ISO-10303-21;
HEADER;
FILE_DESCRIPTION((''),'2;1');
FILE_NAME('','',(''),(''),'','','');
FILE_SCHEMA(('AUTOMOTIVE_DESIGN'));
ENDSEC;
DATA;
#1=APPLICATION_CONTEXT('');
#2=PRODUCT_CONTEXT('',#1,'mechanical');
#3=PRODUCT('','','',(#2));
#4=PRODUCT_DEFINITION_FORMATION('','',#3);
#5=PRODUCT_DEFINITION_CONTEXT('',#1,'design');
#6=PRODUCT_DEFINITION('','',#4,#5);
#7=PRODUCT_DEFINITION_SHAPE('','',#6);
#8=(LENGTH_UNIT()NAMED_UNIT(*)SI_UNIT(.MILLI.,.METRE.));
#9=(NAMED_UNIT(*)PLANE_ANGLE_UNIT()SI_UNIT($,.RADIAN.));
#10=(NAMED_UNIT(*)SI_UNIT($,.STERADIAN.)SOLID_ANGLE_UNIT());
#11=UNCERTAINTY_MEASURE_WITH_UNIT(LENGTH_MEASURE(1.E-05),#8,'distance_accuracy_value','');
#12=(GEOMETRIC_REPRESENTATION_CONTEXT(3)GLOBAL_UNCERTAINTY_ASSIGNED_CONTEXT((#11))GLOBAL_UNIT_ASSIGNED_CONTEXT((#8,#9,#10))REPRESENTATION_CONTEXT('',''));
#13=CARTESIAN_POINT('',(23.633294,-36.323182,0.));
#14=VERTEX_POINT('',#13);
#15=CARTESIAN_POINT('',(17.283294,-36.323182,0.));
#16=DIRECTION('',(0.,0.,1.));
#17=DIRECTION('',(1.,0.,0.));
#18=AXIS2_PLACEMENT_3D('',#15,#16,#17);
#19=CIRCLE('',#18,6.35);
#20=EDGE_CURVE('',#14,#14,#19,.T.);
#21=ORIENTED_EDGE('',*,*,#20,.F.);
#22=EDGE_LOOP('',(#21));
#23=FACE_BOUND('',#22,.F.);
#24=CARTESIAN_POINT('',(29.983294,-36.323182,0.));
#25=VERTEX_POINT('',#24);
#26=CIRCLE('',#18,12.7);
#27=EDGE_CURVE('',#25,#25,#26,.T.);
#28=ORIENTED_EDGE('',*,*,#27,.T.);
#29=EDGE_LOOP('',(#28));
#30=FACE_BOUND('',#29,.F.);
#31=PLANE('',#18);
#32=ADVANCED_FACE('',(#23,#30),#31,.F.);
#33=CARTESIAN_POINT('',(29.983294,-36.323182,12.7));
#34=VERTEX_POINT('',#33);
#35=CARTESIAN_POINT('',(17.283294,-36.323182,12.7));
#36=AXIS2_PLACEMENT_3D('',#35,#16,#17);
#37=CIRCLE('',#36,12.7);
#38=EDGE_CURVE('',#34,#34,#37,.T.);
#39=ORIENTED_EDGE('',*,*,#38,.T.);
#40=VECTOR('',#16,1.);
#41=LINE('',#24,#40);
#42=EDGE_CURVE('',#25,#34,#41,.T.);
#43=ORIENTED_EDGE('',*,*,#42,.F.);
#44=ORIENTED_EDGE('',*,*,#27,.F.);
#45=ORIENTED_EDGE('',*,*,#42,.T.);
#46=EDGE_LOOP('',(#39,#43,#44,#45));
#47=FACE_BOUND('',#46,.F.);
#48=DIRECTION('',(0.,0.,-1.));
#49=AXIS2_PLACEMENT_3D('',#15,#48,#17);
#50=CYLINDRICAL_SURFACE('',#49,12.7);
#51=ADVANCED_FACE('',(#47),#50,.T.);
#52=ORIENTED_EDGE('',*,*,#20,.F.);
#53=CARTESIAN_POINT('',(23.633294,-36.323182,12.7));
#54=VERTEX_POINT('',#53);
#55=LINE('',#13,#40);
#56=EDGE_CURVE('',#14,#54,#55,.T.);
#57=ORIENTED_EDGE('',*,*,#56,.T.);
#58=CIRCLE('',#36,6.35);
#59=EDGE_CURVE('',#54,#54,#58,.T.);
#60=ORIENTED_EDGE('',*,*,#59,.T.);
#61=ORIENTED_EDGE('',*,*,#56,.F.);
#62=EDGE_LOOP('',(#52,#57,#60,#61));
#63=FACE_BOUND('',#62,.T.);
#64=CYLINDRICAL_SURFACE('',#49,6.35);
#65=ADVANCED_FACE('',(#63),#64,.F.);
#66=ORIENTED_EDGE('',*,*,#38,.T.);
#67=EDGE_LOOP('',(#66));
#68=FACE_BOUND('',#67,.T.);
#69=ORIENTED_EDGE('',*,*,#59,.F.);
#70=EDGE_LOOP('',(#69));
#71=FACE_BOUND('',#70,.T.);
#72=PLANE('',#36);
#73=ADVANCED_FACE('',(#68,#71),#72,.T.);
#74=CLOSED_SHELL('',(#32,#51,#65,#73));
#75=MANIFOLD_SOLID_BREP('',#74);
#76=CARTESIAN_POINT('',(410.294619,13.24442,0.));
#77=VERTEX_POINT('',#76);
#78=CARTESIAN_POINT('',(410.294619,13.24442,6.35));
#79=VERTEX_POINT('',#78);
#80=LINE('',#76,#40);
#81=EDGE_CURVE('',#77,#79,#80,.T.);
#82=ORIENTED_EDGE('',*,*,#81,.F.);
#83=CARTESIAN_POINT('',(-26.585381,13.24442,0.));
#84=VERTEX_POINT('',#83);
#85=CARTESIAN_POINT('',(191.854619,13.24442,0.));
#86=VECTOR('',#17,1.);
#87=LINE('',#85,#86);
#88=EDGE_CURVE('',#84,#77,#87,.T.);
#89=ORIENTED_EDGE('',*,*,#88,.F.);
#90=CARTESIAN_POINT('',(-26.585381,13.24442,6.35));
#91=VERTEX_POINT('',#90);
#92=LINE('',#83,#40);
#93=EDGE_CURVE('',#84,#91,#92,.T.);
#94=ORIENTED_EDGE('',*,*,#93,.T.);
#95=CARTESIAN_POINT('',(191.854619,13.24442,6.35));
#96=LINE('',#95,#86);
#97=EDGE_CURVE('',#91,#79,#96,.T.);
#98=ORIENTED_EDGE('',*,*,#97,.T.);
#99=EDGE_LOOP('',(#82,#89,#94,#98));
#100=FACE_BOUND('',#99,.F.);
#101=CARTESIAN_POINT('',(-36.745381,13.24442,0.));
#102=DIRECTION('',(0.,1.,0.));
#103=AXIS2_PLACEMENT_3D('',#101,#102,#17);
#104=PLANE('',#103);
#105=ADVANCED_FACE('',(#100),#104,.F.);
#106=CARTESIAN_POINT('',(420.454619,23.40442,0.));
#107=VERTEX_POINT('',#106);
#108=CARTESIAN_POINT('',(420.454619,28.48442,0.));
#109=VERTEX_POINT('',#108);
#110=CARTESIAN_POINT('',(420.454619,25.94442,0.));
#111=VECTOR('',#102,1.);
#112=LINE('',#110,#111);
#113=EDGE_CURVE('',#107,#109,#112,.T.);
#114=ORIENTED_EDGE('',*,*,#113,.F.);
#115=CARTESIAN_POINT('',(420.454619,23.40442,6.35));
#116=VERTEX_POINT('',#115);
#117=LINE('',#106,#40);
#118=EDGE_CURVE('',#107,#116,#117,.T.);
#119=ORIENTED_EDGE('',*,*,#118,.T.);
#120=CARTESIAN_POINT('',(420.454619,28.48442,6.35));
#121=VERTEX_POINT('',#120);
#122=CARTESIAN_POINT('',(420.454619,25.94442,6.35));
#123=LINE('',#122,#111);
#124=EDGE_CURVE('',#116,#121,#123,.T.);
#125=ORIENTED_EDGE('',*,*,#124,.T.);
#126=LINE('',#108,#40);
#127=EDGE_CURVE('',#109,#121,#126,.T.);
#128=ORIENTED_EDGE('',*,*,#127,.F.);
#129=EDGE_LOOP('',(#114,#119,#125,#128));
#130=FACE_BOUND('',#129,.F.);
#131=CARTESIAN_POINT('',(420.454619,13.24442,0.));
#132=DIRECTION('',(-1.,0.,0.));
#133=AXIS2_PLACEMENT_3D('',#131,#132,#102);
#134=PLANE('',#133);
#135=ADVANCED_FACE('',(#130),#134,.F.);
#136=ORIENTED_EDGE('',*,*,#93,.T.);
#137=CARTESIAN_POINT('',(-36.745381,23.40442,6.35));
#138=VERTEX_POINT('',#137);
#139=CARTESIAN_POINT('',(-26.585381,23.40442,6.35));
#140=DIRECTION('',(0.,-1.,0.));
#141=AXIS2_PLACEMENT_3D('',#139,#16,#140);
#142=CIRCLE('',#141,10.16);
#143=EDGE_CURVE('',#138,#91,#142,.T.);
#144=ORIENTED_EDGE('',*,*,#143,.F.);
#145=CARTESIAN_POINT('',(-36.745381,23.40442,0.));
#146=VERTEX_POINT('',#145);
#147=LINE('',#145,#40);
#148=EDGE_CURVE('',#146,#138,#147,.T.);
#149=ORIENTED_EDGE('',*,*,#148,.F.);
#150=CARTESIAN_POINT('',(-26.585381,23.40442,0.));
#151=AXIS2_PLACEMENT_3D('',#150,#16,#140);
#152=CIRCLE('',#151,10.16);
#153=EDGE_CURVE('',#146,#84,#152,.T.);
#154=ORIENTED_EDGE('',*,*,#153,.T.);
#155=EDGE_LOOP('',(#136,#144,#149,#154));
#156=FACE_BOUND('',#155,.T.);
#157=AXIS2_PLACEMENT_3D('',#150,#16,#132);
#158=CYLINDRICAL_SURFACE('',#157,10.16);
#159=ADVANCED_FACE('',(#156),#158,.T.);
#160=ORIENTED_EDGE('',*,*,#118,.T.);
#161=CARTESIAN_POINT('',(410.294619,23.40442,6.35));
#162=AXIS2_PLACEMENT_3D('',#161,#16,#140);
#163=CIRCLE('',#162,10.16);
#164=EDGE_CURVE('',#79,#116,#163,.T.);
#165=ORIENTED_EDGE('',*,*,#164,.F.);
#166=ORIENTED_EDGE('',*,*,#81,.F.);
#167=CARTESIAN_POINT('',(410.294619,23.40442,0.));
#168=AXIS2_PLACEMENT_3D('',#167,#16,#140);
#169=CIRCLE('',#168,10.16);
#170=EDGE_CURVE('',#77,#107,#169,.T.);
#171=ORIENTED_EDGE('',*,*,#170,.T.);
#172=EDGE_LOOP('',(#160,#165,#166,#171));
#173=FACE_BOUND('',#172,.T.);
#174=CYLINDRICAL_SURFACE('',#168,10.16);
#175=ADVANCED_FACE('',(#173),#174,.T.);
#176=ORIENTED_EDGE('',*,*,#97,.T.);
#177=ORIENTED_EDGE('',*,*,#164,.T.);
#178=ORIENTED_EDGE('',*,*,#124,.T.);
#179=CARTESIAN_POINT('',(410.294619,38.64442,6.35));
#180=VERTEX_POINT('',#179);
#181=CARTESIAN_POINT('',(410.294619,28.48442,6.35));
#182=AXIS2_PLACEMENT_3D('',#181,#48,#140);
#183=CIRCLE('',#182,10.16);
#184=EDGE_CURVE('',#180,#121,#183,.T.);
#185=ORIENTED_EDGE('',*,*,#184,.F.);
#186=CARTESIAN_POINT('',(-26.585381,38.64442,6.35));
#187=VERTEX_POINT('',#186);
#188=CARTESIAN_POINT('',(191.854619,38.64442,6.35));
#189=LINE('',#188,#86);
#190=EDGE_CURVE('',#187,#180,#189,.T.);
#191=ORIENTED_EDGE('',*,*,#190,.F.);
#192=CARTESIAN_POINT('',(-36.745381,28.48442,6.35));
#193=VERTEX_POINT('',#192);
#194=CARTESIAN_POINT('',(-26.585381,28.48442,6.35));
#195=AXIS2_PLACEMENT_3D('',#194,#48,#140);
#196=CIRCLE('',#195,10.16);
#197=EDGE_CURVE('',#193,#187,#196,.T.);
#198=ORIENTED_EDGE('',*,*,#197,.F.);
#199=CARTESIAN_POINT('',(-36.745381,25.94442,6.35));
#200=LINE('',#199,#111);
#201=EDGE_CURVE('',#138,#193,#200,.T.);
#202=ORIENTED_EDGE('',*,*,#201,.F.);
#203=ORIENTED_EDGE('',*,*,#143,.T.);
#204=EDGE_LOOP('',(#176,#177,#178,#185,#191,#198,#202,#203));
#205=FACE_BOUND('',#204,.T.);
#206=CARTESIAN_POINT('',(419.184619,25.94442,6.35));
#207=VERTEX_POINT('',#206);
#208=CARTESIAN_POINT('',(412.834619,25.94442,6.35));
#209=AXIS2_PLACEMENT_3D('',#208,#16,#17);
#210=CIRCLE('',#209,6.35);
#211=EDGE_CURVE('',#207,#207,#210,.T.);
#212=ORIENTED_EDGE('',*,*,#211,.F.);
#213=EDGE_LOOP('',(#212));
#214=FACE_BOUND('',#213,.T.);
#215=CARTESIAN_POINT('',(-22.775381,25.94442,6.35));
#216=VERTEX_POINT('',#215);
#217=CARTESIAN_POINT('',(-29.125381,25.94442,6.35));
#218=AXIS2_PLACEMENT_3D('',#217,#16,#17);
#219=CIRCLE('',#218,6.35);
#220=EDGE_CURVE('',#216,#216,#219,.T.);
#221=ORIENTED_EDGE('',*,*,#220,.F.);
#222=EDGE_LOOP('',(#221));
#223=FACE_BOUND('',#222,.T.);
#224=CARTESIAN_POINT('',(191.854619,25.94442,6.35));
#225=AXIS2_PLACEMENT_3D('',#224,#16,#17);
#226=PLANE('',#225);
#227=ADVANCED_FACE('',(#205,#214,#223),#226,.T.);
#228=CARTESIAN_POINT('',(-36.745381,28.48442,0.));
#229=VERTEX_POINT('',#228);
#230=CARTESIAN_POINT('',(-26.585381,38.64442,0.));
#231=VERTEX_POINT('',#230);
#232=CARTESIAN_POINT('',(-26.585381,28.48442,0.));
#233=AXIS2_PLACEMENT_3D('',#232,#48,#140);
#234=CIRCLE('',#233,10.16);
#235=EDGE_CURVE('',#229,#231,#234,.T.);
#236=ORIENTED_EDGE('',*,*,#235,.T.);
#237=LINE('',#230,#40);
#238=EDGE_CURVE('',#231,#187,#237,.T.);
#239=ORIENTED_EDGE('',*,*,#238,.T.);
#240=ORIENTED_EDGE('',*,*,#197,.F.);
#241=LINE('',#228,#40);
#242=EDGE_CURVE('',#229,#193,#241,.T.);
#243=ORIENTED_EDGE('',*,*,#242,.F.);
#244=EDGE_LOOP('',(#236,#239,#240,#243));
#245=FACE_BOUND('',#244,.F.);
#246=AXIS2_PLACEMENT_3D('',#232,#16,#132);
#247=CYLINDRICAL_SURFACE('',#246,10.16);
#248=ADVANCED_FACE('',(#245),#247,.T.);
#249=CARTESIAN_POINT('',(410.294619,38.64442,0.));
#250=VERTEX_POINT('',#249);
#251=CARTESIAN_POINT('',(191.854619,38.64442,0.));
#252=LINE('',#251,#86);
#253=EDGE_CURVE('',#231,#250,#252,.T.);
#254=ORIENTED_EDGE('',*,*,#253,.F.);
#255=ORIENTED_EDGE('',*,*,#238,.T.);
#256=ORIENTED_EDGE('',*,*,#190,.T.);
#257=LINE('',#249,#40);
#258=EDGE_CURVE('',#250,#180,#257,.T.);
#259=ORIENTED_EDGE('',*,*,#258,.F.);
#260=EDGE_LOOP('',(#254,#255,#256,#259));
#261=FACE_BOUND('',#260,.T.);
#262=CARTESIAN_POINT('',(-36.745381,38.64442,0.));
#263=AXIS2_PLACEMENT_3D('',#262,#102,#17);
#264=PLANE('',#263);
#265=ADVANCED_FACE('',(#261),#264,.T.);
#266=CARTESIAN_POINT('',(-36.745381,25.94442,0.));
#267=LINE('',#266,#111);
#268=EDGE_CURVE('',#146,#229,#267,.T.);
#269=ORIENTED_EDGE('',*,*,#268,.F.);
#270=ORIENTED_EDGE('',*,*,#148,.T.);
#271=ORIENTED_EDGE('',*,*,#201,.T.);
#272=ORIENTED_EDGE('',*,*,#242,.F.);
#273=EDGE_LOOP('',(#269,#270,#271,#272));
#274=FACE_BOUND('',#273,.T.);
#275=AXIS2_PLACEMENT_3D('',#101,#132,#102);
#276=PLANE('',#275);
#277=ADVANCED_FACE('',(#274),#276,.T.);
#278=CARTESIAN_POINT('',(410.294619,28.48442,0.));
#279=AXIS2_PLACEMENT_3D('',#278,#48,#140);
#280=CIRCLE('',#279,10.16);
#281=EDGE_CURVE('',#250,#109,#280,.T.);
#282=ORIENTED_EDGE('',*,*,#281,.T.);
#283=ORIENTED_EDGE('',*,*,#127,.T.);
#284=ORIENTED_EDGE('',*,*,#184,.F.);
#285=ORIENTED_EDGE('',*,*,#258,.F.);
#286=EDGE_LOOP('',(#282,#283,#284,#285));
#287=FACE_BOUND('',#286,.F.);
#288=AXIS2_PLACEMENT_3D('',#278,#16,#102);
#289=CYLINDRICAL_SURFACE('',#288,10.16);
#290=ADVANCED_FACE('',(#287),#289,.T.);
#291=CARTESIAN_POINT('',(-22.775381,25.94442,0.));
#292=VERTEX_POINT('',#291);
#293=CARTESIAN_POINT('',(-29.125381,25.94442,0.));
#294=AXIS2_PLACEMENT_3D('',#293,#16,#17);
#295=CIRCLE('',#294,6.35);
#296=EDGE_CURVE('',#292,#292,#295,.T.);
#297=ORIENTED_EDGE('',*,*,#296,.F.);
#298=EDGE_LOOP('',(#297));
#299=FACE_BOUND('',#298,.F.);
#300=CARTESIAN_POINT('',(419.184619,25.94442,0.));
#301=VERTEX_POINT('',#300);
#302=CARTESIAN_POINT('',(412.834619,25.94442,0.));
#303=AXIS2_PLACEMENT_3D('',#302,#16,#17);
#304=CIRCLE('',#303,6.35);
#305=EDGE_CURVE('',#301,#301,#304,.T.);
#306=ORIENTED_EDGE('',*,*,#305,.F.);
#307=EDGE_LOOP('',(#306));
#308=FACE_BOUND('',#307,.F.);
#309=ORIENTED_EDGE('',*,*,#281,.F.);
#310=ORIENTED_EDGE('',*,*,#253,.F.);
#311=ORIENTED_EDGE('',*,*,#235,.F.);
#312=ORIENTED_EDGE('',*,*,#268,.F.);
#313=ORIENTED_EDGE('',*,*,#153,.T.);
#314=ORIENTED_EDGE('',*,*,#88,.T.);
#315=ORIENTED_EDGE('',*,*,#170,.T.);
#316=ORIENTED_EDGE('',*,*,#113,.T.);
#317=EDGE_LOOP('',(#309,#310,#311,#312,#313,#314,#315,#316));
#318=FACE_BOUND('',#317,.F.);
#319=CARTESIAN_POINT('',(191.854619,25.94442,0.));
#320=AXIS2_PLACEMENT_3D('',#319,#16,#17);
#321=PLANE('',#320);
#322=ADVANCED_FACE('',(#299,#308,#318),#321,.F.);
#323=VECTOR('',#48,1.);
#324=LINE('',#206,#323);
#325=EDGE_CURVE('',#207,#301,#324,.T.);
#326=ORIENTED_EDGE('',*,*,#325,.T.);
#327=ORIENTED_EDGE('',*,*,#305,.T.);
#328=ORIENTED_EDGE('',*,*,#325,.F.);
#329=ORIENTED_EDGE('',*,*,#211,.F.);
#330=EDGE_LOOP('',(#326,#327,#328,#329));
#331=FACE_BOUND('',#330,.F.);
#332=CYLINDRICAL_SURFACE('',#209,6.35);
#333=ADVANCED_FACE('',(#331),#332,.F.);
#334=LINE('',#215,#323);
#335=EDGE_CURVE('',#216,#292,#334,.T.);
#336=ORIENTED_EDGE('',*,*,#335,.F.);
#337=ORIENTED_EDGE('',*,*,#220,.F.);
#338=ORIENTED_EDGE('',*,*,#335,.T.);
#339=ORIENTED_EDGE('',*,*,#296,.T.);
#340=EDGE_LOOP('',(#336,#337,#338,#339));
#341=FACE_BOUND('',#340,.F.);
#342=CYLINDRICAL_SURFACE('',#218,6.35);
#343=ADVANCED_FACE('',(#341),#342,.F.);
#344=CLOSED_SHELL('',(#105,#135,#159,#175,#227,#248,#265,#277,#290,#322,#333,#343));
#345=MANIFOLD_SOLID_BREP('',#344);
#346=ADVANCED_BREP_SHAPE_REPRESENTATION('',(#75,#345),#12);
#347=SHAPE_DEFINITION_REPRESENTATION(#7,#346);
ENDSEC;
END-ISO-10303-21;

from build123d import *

# Parameters (mm, degrees)
F0_W     = 457.2
F0_H     = 25.4
F1_DEPTH = 6.35
F2_R     = 6.35
F3_DEPTH = 25.4
F4_R     = 12.7
F4_R_2   = 6.35
F5_DEPTH = 12.7
F6_R     = 10.16


with BuildPart() as f1:
    # F0 (on Top) → F1 (new body)
    with BuildSketch(Plane.XY):
        with Locations((191.854619, 25.94442)):
            Rectangle(F0_W, F0_H)
    extrude(amount=F1_DEPTH)

    # F2 (on face) → F3 (cut)
    with BuildSketch(Plane.XY.offset(6.35)):
        with Locations((-29.125381, 25.94442)):
            Circle(F2_R)
        with Locations((412.834619, 25.94442)):
            Circle(F2_R)
    extrude(amount=-F3_DEPTH, mode=Mode.SUBTRACT)

    # F6
    f6_edges = [f1.edges().sort_by_distance(p)[0] for p in [
        (-36.745381, 13.24442, 3.175),
        (-36.745381, 38.64442, 3.175),
        (420.454619, 38.64442, 3.175),
        (420.454619, 13.24442, 3.175),
    ]]
    fillet(f6_edges, radius=F6_R)


with BuildPart() as f5:
    # F4 (on Top) → F5 (new body)
    with BuildSketch(Plane.XY):
        with Locations((17.283294, -36.323182)):
            Circle(F4_R)
        with Locations((17.283294, -36.323182)):
            Circle(F4_R_2, mode=Mode.SUBTRACT)
    extrude(amount=F5_DEPTH)


solid = Compound([f1.part, f5.part])
